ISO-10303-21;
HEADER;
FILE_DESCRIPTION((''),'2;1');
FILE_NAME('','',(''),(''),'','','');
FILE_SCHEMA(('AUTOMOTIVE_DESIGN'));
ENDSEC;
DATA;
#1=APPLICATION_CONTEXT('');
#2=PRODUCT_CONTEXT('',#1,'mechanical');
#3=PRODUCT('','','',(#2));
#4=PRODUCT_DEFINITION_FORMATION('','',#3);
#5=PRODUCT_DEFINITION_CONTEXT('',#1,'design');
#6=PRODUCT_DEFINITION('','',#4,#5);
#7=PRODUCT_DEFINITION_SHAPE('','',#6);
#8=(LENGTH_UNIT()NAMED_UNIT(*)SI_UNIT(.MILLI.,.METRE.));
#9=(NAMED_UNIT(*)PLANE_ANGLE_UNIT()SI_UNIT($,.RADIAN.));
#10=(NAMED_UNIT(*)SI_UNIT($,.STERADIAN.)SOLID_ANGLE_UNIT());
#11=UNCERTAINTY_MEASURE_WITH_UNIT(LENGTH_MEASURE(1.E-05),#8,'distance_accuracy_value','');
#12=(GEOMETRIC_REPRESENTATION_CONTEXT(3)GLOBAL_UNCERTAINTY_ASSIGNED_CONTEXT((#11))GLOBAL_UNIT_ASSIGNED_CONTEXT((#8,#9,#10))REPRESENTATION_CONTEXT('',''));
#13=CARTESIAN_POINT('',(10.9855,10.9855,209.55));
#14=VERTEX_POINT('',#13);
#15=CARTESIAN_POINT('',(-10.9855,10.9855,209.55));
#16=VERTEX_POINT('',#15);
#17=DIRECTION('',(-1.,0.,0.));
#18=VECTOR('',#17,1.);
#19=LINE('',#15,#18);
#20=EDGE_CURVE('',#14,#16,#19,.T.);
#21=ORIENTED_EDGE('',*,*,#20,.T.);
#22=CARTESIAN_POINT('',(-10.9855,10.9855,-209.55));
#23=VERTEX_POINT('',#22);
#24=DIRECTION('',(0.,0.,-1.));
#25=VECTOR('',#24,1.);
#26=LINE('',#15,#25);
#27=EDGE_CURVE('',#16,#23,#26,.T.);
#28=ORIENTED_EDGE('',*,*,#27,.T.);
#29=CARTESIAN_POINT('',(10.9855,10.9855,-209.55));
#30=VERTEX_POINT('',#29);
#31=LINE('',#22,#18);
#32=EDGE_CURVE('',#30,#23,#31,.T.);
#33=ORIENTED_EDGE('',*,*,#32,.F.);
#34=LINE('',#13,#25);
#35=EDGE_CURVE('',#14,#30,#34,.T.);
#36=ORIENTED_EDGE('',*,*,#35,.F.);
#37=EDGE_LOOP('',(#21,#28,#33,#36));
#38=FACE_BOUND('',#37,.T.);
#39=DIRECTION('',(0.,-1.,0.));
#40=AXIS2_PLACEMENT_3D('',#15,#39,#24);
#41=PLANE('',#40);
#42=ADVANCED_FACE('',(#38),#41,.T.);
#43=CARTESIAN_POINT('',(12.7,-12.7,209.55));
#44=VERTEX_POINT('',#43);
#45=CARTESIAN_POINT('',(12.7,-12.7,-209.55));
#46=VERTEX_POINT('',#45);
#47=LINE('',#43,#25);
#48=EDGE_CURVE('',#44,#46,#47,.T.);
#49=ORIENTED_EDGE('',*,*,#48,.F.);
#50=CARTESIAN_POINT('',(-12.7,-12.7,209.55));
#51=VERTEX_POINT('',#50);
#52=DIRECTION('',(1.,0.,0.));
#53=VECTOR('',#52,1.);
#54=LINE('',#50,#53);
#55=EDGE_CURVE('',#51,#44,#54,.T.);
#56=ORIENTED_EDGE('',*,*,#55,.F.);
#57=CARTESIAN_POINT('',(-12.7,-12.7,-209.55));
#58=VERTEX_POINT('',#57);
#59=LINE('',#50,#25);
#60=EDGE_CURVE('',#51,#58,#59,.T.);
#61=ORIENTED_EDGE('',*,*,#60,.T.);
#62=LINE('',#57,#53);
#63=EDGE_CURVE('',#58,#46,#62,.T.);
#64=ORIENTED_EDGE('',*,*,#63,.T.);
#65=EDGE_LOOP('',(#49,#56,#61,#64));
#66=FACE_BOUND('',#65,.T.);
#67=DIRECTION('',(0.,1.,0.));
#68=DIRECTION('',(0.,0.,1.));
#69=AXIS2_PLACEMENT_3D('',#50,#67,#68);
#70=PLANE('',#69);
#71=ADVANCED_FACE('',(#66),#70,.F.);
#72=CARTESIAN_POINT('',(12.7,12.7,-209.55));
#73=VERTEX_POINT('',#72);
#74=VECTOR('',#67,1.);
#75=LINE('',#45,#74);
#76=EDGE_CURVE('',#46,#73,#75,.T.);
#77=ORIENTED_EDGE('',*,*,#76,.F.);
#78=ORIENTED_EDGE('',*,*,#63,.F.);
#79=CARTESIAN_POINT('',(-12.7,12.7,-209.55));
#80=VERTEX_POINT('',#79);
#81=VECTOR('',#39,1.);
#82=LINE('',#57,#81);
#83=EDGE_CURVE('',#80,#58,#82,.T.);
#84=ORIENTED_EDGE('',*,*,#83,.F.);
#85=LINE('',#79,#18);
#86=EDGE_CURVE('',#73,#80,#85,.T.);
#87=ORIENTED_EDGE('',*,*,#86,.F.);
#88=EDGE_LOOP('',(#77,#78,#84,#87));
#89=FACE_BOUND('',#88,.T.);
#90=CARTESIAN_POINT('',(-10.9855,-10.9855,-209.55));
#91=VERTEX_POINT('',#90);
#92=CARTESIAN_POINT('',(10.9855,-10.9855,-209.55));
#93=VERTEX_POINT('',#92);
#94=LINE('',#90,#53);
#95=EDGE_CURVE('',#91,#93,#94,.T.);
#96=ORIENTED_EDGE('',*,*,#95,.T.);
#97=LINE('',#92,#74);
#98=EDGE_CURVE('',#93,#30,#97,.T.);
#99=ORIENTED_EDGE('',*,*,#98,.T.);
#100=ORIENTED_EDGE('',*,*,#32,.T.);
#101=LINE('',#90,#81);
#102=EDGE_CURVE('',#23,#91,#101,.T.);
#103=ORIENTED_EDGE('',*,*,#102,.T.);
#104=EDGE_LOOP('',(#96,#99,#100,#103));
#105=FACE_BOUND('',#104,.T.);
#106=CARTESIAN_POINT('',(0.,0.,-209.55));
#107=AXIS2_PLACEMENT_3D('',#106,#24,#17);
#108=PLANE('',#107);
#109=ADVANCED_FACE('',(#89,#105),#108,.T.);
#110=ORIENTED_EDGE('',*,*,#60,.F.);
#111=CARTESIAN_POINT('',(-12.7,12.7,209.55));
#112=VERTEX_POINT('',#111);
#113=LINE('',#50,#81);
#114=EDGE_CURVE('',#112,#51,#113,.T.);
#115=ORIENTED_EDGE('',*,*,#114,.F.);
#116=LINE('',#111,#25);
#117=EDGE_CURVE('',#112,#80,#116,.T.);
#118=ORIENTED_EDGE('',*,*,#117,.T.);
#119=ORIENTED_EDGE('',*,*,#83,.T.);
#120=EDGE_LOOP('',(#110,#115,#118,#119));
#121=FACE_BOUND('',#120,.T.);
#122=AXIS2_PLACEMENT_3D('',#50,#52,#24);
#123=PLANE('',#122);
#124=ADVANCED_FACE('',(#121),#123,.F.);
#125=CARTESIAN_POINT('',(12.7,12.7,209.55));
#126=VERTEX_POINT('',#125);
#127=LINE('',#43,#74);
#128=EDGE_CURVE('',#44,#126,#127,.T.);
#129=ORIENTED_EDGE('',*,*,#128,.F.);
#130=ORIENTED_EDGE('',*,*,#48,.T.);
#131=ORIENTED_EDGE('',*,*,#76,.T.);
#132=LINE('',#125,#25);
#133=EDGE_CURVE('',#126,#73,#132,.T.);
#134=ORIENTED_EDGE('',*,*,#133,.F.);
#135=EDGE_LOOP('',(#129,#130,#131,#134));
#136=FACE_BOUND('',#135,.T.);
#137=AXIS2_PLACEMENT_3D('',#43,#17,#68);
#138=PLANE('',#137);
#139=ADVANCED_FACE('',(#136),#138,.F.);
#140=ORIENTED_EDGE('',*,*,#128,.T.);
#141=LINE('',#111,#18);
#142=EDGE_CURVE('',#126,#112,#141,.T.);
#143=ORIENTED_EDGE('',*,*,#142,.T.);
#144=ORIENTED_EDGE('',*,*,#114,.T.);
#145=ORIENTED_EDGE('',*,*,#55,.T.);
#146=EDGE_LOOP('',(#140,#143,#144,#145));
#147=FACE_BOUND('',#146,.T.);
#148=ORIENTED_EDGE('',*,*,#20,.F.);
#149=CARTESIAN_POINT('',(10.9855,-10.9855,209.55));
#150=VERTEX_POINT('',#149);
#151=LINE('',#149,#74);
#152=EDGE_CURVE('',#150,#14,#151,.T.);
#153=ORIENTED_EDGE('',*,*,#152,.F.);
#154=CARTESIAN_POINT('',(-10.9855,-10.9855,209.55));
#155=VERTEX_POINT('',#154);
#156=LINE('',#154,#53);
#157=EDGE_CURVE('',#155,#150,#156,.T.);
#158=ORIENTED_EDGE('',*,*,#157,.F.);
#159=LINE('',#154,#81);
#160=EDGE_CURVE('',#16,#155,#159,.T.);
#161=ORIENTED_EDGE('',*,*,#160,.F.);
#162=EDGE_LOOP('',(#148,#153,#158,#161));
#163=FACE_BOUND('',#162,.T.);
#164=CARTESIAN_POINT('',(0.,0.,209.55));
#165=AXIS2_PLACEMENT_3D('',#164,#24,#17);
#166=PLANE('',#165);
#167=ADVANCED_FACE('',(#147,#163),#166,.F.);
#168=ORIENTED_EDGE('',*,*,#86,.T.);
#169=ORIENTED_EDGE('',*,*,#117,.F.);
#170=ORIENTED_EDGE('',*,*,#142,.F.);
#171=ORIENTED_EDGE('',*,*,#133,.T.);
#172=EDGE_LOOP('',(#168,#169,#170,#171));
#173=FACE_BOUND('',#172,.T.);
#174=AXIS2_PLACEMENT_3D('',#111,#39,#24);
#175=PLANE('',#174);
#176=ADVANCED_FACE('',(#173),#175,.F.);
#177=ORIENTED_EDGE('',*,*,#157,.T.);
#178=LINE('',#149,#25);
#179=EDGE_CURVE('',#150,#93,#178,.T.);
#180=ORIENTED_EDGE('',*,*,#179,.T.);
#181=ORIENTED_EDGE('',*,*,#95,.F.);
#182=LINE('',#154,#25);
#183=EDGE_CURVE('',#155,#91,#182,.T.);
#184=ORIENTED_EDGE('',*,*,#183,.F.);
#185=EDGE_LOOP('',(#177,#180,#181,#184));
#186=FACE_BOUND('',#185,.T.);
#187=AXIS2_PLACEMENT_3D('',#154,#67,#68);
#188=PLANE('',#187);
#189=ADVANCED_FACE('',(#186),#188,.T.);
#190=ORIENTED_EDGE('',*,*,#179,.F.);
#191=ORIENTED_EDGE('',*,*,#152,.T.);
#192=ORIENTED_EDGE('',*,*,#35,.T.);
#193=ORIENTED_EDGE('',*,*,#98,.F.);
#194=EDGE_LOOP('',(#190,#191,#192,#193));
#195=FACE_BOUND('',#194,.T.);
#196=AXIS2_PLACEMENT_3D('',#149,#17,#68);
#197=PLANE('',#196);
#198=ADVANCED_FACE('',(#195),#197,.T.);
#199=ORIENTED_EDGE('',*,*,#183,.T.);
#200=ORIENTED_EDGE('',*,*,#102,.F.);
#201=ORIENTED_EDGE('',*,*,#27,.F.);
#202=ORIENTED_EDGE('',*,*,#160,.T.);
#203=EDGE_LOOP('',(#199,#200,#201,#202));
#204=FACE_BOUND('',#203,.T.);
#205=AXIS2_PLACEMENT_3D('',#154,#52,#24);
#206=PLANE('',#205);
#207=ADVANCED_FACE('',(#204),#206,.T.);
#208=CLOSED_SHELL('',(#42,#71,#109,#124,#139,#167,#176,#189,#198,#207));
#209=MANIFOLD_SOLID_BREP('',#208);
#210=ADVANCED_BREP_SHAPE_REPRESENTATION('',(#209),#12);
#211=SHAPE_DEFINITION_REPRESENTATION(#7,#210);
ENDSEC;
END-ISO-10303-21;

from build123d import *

# Parameters (mm, degrees)
SKETCH1_W           = 25.4
SKETCH1_H           = 25.4
SKETCH1_W_2         = 21.971
SKETCH1_H_2         = 21.971
BOSS_EXTRUDE1_DEPTH = 209.55


with BuildPart() as part:
    # Sketch1 → Boss-Extrude1 (new, symmetric)
    with BuildSketch(Plane.XY):
        Rectangle(SKETCH1_W, SKETCH1_H)
        Rectangle(SKETCH1_W_2, SKETCH1_H_2, mode=Mode.SUBTRACT)
    extrude(amount=BOSS_EXTRUDE1_DEPTH, both=True)


solid = part.part
